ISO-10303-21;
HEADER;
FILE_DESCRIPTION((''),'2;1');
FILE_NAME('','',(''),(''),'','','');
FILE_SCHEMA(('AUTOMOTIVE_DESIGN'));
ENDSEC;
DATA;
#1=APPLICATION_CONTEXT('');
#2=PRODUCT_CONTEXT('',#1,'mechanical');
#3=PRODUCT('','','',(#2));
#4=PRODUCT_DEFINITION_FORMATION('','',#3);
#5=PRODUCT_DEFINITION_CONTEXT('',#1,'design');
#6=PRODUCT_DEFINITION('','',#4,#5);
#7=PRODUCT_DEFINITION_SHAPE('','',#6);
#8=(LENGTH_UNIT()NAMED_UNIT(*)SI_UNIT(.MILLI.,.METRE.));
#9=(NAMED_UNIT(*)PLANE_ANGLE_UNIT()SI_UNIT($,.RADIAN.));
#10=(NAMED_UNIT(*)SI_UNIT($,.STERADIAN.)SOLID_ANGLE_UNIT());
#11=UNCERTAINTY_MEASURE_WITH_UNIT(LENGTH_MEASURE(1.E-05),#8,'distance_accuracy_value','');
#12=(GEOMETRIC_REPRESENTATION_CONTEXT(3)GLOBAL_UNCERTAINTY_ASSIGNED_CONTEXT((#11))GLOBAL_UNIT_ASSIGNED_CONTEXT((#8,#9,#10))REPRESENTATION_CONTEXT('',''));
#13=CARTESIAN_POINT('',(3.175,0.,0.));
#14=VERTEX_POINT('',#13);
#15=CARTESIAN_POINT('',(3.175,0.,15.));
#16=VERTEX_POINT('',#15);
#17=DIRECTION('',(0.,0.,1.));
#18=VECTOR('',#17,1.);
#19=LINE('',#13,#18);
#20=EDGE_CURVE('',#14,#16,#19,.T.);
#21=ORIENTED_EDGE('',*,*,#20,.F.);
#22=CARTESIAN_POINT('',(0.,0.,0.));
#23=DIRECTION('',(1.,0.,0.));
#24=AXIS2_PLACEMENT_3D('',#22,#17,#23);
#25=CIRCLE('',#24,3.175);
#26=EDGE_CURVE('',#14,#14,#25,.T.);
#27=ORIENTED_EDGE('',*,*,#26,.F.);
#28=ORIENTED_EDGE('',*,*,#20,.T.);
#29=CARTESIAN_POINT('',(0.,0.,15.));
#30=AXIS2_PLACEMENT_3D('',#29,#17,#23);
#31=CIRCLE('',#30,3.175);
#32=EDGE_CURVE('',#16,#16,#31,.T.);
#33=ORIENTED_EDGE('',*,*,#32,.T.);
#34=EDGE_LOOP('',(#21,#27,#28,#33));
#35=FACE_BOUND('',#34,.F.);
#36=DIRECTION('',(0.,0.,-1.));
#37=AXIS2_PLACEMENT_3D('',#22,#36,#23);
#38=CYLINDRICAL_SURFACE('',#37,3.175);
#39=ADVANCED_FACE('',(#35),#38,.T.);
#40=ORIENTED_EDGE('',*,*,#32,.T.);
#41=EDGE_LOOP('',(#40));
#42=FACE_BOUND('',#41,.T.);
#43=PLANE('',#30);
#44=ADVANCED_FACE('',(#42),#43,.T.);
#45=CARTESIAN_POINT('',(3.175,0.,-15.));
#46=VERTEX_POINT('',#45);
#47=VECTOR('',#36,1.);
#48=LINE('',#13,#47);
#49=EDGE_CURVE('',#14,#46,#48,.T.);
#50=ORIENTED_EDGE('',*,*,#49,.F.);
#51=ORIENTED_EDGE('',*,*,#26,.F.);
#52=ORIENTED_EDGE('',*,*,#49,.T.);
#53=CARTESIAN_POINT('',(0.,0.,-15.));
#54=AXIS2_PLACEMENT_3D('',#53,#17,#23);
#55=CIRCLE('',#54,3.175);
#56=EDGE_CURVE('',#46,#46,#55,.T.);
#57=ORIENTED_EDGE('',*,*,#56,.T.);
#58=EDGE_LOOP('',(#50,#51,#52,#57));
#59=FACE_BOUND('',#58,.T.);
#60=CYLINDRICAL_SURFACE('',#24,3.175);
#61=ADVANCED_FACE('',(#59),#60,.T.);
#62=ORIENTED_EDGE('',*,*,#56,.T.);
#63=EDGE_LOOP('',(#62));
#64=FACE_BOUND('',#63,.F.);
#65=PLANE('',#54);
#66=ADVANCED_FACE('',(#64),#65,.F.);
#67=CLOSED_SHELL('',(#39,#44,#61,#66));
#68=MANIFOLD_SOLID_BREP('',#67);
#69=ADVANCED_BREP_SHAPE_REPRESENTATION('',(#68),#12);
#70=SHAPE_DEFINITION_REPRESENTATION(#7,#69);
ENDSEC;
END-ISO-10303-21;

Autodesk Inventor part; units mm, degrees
ref_plane "YZ Plane" through (0, 0, 0) normal (1, 0, 0) x (0, 1, 0)
ref_plane "XZ Plane" through (0, 0, 0) normal (0, 1, 0) x (-1, 0, 0)
ref_plane "XY Plane" through (0, 0, 0) normal (0, 0, 1) x (1, 0, 0)
sketch "Sketch1" plane through (0, 0, 0) normal (0, 0, 1) x (1, 0, 0)
  circle A0 centre (0, 0) radius 3.175
  dimension "d0" = 6.35
extrude "Extrusion1" add sketch "Sketch1" along normal mid plane 30
properties part number "RELEASE_BLOCK_PINS_TREBUCHET" material "Wood (Birch)"
